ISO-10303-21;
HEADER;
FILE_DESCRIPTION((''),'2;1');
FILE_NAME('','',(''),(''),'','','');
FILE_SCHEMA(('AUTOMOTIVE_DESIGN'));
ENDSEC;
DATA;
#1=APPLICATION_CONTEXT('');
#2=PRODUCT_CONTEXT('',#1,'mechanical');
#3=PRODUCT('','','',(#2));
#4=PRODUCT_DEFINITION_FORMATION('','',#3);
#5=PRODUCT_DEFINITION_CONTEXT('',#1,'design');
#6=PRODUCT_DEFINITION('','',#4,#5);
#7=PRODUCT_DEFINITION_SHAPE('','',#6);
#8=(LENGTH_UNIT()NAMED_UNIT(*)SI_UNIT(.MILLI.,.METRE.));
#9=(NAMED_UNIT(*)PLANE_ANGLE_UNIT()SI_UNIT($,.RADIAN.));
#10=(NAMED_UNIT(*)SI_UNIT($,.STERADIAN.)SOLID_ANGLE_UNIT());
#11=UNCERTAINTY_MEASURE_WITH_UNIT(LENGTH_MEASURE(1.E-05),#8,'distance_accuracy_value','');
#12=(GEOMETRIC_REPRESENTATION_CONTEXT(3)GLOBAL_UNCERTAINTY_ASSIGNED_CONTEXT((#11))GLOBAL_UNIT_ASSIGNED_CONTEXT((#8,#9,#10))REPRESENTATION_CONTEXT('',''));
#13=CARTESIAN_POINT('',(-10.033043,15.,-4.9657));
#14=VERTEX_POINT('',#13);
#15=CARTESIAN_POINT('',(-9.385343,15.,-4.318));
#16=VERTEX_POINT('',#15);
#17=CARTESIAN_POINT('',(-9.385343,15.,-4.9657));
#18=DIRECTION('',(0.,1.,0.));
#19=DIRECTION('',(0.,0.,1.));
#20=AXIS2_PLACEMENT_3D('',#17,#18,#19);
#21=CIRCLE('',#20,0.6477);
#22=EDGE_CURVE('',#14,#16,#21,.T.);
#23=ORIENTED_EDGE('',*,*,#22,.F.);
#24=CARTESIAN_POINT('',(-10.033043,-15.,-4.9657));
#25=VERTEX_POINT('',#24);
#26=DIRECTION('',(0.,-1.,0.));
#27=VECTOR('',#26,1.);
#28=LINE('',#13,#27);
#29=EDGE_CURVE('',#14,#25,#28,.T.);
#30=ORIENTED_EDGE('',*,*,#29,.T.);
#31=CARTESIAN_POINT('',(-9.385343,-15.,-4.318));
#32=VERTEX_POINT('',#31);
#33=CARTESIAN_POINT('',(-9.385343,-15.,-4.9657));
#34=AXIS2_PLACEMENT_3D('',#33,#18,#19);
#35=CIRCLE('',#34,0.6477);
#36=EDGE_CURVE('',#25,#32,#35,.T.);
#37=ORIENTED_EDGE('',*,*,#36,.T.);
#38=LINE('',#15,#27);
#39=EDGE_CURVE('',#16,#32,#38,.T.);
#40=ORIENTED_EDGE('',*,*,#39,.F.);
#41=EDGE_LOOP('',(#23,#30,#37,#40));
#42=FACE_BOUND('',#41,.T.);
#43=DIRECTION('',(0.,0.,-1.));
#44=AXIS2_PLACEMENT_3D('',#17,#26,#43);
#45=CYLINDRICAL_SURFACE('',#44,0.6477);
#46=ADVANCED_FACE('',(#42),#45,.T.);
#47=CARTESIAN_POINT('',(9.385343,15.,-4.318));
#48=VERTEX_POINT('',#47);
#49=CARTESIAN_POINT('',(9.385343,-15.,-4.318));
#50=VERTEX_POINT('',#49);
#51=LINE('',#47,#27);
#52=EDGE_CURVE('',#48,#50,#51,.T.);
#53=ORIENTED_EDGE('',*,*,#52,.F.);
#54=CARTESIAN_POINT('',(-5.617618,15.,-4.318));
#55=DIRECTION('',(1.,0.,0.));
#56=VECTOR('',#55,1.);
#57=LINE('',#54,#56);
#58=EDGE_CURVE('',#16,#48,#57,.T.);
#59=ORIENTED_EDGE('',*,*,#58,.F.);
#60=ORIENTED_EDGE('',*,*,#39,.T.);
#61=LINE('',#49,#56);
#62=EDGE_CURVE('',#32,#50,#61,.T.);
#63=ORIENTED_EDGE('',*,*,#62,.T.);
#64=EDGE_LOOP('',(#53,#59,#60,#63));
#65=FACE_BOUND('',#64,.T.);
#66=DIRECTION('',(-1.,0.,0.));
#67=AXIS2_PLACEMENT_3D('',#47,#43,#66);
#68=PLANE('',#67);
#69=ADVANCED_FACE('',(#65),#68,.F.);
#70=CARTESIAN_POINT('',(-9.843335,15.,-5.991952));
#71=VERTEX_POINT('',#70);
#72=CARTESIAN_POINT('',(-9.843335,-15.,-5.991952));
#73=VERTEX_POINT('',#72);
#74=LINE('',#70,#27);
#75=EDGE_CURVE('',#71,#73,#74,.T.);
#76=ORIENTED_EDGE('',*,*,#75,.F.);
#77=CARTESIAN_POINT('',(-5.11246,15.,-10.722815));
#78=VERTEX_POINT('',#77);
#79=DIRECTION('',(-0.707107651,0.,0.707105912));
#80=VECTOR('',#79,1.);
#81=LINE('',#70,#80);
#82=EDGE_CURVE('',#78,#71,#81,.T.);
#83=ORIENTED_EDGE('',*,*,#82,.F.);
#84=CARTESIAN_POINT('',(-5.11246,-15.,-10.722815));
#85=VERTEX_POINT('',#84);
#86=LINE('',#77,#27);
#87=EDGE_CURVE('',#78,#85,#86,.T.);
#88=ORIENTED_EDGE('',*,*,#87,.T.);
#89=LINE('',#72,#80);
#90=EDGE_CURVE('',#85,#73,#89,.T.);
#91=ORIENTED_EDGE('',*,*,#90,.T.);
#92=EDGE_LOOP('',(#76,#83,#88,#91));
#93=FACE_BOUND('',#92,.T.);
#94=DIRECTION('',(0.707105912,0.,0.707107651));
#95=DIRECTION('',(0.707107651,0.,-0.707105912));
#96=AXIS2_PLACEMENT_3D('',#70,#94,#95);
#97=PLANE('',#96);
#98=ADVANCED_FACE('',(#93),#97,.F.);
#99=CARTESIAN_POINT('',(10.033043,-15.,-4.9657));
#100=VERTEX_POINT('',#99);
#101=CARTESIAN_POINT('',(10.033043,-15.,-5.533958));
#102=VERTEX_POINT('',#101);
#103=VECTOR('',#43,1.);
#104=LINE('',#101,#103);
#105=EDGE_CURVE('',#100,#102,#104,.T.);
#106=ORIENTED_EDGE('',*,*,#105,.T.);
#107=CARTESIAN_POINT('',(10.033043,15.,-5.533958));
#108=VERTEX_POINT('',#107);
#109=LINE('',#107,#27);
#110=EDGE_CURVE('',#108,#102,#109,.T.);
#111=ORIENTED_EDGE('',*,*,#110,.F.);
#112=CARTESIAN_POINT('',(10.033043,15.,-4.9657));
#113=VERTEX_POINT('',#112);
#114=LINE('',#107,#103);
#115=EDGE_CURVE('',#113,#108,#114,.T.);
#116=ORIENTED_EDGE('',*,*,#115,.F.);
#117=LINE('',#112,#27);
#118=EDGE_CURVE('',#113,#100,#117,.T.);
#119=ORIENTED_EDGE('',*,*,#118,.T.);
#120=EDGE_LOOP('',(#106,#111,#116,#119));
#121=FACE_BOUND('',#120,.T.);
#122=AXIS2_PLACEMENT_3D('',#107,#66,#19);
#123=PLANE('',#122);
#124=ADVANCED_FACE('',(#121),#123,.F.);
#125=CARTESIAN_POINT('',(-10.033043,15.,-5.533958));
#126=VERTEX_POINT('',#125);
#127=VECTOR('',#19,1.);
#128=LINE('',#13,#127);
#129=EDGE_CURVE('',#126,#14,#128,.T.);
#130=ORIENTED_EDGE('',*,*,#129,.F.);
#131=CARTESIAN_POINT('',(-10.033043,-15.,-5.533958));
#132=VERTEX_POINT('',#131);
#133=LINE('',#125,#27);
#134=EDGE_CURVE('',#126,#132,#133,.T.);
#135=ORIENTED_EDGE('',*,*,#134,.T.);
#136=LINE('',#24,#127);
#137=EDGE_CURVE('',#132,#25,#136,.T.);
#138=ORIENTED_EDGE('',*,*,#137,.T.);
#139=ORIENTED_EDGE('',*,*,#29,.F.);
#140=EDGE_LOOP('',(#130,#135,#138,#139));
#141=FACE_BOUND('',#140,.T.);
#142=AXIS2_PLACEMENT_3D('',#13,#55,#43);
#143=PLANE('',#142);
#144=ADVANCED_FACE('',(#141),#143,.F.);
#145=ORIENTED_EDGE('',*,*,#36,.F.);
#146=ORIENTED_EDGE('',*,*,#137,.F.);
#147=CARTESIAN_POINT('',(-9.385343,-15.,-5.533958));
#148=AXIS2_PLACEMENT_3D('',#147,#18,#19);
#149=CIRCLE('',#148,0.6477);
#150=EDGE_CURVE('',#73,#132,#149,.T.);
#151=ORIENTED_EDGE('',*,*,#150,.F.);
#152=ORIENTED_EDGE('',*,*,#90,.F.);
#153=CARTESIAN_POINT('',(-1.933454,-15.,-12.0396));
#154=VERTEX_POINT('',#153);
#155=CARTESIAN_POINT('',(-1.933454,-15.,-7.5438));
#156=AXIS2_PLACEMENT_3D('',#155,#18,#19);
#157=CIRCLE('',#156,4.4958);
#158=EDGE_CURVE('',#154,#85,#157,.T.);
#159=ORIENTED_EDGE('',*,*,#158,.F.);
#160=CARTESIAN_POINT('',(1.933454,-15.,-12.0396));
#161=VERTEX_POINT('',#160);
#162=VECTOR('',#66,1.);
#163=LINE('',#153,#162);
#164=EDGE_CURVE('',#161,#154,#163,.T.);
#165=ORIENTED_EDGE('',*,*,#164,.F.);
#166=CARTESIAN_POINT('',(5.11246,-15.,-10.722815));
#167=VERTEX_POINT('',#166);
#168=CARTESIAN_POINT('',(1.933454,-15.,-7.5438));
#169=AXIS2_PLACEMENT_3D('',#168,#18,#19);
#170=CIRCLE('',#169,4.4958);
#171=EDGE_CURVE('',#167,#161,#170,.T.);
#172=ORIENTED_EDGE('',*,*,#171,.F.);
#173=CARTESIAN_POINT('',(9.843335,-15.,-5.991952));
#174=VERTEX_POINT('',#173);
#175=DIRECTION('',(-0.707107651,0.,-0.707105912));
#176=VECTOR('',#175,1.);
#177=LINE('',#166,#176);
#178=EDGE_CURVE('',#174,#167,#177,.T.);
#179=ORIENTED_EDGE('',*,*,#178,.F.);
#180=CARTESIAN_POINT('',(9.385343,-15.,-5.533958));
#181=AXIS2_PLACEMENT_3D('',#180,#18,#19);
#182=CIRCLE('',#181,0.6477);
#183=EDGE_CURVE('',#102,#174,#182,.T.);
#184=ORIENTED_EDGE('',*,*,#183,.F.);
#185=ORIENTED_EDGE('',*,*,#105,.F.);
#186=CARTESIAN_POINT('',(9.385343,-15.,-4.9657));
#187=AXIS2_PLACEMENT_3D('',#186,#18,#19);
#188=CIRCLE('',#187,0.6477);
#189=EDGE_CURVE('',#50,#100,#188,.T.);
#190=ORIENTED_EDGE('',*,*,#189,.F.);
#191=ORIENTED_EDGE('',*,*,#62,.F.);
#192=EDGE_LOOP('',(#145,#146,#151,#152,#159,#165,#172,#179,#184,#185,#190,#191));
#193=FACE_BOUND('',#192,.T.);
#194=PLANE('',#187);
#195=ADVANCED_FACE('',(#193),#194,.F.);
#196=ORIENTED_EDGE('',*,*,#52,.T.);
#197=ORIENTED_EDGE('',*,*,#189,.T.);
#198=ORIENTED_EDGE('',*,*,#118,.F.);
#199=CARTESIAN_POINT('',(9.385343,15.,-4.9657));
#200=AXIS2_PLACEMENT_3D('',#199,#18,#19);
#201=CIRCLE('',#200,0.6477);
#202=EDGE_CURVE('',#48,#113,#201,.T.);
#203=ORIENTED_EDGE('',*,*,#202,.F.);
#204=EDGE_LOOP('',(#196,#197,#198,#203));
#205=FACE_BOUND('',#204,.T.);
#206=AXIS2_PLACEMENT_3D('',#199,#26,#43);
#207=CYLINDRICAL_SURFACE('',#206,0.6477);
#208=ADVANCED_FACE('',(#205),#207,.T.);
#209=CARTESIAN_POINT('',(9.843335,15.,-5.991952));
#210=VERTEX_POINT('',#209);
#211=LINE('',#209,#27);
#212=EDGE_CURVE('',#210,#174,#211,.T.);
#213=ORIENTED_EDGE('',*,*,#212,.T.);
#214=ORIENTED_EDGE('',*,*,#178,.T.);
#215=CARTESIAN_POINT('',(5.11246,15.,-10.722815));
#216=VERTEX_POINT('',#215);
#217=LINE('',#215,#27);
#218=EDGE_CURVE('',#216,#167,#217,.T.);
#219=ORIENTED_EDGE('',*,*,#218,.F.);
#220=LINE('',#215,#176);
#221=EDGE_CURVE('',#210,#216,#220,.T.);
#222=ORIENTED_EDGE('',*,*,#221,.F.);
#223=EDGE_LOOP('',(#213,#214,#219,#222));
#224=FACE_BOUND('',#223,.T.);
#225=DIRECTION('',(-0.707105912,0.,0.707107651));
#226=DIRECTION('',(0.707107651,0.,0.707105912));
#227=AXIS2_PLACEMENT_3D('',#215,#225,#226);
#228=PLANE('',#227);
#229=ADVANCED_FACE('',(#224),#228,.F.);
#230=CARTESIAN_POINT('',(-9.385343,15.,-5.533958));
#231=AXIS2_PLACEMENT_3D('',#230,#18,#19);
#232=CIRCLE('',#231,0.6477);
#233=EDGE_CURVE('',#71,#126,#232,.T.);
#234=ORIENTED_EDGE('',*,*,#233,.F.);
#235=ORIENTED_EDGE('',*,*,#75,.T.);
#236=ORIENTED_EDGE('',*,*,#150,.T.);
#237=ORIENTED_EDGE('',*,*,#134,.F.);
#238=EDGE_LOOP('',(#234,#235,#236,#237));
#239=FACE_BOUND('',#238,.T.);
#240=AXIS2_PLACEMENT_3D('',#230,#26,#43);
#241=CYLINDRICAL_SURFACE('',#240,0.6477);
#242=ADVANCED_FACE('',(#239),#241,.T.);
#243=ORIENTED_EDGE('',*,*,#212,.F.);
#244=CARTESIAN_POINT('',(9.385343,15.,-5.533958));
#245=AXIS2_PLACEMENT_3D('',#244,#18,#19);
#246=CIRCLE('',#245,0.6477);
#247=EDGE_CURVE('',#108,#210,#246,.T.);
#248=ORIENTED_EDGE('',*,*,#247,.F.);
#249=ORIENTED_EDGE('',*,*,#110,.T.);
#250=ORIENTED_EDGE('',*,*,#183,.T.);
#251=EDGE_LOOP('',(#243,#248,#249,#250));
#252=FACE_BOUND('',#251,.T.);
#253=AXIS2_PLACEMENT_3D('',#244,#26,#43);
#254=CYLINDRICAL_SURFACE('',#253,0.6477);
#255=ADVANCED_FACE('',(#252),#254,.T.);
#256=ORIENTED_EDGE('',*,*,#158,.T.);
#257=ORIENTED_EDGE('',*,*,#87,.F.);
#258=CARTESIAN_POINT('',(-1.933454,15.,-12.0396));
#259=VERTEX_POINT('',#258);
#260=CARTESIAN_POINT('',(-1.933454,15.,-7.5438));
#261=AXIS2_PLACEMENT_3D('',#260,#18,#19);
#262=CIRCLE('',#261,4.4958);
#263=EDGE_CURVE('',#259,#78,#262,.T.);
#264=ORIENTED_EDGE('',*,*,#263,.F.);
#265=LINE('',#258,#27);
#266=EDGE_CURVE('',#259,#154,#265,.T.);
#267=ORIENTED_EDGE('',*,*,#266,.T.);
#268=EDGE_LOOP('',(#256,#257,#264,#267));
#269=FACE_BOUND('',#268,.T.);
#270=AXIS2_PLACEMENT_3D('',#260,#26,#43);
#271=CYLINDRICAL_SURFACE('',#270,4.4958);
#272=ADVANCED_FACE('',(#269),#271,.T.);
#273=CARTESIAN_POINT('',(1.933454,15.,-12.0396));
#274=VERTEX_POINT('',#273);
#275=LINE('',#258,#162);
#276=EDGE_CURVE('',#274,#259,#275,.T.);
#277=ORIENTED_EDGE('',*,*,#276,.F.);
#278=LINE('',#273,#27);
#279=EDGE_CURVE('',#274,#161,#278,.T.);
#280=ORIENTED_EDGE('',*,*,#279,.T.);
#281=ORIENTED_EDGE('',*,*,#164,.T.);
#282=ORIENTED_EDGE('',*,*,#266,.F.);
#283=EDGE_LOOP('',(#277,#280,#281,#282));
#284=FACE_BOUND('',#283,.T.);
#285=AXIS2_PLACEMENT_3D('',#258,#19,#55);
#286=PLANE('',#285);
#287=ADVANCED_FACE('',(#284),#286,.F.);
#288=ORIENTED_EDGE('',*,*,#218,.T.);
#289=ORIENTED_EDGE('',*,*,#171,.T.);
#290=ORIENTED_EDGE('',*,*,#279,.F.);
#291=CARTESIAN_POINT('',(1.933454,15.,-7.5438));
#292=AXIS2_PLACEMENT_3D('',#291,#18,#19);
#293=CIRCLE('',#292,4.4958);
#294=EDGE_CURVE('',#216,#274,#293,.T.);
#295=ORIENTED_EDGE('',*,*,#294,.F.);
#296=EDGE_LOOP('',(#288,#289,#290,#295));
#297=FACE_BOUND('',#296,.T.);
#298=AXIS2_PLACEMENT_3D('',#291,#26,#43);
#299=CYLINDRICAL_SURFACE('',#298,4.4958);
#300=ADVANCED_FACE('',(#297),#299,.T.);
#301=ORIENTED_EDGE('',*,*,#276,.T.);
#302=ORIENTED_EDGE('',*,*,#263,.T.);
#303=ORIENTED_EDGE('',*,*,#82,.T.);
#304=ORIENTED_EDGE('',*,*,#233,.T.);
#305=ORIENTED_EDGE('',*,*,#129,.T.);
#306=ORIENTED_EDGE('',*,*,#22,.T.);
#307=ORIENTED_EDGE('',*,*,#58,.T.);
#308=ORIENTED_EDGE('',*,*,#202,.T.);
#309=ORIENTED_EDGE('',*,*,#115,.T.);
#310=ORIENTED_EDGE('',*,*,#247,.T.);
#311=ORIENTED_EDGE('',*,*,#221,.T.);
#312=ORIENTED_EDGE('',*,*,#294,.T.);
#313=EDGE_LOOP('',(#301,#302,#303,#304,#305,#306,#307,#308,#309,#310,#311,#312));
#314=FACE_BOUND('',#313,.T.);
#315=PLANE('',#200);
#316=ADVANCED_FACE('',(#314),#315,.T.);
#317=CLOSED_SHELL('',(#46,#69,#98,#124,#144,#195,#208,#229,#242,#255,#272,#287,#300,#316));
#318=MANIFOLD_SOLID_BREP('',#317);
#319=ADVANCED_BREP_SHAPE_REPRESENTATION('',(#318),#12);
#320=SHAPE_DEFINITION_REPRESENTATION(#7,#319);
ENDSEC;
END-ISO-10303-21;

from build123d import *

# Parameters (mm, degrees)
BOSS_EXTRUDE1_DEPTH = 15


with BuildPart() as part:
    # Sketch3 → Boss-Extrude1 (new, symmetric)
    with BuildSketch(Plane(origin=(0, 0, 0), x_dir=(1, 0, 0), z_dir=(0, 1, 0))):
        with BuildLine():
            Line((-5.617617549, 4.318), (5.617617549, 4.318))
            Line((5.617617549, 4.318), (9.385342517, 4.318))
            ThreePointArc((9.385342517, 4.318), (9.843335579, 4.507706938), (10.033042517, 4.9657))
            Line((10.033042517, 4.9657), (10.033042517, 5.533957912))
            ThreePointArc((10.033042517, 5.533957912), (9.983739138, 5.781822339), (9.843335016, 5.991951537))
            Line((9.843335016, 5.991951537), (5.112460341, 10.722814576))
            ThreePointArc((5.112460341, 10.722814576), (3.653919205, 11.69737866), (1.933453584, 12.0396))
            Line((1.933453584, 12.0396), (-1.933453584, 12.0396))
            ThreePointArc((-1.933453584, 12.0396), (-3.653919205, 11.69737866), (-5.112460341, 10.722814576))
            Line((-5.112460341, 10.722814576), (-9.843335016, 5.991951537))
            ThreePointArc((-9.843335016, 5.991951537), (-9.983739138, 5.781822339), (-10.033042517, 5.533957912))
            Line((-10.033042517, 5.533957912), (-10.033042517, 4.9657))
            ThreePointArc((-10.033042517, 4.9657), (-9.843335579, 4.507706938), (-9.385342517, 4.318))
            Line((-9.385342517, 4.318), (-5.617617549, 4.318))
        make_face()
    extrude(amount=BOSS_EXTRUDE1_DEPTH, both=True)


solid = part.part
